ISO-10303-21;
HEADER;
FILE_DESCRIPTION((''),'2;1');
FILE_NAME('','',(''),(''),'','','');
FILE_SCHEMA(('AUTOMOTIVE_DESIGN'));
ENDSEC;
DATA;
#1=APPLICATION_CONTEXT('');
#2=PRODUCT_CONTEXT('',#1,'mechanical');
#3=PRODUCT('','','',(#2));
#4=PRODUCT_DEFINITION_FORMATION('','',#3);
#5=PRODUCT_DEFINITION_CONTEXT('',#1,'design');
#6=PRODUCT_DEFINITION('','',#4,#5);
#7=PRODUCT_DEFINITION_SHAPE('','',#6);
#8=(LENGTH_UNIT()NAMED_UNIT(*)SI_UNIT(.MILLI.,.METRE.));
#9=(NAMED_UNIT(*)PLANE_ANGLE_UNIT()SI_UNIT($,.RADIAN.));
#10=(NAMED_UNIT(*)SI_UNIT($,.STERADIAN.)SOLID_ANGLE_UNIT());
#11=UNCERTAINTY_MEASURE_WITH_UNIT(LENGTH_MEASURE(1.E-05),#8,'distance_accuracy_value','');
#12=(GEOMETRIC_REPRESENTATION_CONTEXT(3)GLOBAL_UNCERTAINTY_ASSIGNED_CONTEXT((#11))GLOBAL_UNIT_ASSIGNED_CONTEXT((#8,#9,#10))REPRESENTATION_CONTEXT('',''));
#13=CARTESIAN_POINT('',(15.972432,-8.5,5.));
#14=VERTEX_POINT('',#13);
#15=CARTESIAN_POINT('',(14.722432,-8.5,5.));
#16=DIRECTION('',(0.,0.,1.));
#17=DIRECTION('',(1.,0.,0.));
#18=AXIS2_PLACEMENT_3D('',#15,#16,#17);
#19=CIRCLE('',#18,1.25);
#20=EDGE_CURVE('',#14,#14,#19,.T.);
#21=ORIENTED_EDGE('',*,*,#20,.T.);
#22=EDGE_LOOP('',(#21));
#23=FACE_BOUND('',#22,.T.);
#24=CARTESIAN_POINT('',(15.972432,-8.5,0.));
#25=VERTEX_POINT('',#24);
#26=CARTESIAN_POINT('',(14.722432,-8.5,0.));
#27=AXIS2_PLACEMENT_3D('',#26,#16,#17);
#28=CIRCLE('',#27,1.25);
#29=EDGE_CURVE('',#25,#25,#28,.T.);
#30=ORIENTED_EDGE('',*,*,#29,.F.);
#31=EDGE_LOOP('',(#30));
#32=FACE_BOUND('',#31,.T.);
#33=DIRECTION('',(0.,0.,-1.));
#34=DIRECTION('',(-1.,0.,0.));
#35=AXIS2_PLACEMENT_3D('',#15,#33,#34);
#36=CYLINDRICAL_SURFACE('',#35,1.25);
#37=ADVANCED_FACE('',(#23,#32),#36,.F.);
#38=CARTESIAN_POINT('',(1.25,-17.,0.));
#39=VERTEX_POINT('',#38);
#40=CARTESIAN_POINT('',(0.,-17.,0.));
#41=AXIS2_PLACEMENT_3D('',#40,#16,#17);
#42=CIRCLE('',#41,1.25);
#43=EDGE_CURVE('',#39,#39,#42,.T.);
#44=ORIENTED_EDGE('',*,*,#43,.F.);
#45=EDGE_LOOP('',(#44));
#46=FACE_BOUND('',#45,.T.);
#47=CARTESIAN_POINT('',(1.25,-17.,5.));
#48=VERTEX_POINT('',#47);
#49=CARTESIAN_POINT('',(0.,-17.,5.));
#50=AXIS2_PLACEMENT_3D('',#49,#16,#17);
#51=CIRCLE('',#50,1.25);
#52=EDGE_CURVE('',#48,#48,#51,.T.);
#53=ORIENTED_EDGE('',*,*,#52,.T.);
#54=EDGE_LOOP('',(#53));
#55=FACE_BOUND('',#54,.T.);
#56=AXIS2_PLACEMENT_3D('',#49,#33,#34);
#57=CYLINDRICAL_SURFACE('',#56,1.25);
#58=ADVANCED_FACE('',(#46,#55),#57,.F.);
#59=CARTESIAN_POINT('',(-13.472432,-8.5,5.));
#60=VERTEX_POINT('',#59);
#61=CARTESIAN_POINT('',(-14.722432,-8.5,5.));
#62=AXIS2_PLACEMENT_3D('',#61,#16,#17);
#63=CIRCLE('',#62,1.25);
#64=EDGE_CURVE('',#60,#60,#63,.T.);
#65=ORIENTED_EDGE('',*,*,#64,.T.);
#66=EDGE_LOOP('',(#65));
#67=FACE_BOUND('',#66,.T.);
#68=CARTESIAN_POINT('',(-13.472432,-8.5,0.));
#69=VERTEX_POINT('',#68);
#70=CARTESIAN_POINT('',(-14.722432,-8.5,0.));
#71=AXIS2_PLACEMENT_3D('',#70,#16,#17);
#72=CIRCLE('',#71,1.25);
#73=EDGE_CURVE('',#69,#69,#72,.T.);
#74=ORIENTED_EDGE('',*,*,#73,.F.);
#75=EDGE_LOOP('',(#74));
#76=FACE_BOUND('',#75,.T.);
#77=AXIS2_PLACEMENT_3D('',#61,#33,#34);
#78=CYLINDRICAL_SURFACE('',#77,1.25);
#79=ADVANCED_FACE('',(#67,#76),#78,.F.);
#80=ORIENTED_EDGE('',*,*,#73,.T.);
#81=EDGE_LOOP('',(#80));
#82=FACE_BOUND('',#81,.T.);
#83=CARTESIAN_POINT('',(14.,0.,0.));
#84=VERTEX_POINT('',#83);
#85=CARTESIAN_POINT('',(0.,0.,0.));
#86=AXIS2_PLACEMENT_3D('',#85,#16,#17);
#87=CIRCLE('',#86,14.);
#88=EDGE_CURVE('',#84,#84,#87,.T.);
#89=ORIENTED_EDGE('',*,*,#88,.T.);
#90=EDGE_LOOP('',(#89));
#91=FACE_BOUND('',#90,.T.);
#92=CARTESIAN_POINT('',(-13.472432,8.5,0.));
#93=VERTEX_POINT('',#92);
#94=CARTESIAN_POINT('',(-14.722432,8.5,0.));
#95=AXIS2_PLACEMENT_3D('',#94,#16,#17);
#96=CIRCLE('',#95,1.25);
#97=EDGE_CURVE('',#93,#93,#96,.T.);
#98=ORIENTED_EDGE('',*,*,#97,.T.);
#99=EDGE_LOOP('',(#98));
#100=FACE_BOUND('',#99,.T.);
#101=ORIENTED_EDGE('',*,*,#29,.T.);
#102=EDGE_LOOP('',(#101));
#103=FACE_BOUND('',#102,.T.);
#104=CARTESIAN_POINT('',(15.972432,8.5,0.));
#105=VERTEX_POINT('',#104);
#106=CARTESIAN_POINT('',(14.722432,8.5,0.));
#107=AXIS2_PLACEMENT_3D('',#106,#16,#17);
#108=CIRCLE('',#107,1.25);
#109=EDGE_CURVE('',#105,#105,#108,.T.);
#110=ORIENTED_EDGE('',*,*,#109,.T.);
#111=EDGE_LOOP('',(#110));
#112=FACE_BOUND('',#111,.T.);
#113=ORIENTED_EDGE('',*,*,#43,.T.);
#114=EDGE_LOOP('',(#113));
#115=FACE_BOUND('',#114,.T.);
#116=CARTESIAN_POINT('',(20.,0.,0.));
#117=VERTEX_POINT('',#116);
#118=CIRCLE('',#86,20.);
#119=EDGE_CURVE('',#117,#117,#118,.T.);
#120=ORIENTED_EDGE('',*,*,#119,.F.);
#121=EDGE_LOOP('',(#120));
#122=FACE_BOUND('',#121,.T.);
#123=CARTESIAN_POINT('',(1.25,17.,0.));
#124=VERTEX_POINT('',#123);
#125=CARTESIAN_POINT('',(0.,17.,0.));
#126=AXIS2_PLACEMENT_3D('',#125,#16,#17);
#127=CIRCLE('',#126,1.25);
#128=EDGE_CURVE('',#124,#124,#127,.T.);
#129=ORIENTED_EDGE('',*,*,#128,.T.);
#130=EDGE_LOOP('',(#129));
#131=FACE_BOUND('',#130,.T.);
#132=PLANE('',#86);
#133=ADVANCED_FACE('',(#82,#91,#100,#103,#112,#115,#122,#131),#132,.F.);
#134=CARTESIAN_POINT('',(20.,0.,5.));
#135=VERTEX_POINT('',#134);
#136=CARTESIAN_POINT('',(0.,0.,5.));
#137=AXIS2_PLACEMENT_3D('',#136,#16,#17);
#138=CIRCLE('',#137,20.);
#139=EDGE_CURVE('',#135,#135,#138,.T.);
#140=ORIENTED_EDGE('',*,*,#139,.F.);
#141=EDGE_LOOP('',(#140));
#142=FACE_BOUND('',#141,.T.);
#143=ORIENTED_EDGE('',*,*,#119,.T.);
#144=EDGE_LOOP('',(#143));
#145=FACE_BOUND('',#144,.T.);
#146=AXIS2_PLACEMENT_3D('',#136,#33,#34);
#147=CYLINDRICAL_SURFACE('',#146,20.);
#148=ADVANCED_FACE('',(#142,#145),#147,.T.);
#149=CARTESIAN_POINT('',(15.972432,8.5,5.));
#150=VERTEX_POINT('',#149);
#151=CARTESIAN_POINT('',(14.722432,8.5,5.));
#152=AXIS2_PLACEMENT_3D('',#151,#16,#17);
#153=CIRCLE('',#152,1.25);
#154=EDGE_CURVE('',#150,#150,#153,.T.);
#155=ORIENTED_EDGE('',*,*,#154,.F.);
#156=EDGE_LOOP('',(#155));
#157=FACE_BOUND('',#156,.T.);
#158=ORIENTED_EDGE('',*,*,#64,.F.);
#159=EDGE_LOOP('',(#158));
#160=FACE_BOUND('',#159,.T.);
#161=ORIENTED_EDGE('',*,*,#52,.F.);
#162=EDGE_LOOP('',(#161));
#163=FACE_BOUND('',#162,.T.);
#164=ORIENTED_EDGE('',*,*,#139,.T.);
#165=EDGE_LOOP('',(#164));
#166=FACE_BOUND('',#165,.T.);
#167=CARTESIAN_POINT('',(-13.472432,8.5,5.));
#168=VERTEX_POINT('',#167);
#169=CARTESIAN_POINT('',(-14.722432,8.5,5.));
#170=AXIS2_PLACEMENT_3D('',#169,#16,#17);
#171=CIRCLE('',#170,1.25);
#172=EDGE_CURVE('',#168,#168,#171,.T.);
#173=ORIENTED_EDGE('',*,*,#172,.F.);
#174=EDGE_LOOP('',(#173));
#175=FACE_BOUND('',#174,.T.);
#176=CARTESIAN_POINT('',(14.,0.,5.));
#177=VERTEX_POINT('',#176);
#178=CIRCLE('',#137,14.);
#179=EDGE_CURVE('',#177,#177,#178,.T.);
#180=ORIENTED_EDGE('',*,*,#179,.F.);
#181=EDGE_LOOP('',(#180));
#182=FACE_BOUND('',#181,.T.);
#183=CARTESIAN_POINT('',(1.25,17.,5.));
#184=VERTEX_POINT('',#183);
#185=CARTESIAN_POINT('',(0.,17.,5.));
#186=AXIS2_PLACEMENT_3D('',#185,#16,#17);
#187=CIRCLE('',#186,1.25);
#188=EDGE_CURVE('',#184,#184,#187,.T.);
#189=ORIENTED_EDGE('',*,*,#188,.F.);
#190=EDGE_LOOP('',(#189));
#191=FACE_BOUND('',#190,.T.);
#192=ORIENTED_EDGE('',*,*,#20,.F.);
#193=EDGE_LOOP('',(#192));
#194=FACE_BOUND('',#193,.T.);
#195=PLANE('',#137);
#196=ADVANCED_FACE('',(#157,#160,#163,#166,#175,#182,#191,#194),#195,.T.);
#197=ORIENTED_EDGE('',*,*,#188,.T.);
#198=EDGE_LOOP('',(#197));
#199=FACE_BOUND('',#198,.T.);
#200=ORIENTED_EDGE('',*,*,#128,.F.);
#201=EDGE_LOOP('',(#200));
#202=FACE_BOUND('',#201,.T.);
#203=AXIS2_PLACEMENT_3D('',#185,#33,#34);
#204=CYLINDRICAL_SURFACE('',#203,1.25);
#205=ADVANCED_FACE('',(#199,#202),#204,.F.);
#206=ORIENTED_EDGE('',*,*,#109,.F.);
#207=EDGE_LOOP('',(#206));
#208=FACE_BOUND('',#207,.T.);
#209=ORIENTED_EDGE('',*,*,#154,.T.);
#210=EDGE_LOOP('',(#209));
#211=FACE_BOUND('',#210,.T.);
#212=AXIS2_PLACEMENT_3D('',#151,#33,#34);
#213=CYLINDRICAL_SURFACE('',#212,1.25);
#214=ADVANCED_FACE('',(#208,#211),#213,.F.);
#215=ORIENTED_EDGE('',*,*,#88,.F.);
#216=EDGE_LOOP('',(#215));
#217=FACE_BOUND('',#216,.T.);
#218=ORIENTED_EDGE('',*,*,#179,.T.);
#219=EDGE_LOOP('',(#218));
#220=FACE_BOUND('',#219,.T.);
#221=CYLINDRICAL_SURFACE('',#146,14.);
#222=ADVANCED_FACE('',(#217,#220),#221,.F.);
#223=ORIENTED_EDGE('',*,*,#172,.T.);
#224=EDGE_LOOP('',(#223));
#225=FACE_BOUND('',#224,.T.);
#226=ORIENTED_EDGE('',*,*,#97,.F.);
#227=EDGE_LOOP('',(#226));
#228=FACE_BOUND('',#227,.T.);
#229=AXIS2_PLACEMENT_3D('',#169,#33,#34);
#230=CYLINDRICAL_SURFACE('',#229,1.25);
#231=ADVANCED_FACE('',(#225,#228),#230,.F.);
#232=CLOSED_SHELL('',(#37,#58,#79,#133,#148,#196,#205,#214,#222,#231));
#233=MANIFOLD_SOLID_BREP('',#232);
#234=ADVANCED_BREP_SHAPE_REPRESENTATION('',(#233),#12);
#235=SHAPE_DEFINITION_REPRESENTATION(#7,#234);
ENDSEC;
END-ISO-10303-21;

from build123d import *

# Parameters (mm, degrees)
SKETCH1_R           = 20
SKETCH1_R_2         = 1.25
SKETCH1_R_3         = 14
BOSS_EXTRUDE1_DEPTH = 5


with BuildPart() as part:
    # Sketch1 → Boss-Extrude1 (new body)
    with BuildSketch(Plane.XY):
        Circle(SKETCH1_R)
        with Locations((0, 17)):
            Circle(SKETCH1_R_2, mode=Mode.SUBTRACT)
        with Locations((14.722431864, 8.5)):
            Circle(SKETCH1_R_2, mode=Mode.SUBTRACT)
        with Locations((14.722431864, -8.5)):
            Circle(SKETCH1_R_2, mode=Mode.SUBTRACT)
        with Locations((0, -17)):
            Circle(SKETCH1_R_2, mode=Mode.SUBTRACT)
        with Locations((-14.722431864, -8.5)):
            Circle(SKETCH1_R_2, mode=Mode.SUBTRACT)
        with Locations((-14.722431864, 8.5)):
            Circle(SKETCH1_R_2, mode=Mode.SUBTRACT)
        Circle(SKETCH1_R_3, mode=Mode.SUBTRACT)
    extrude(amount=BOSS_EXTRUDE1_DEPTH)


solid = part.part
